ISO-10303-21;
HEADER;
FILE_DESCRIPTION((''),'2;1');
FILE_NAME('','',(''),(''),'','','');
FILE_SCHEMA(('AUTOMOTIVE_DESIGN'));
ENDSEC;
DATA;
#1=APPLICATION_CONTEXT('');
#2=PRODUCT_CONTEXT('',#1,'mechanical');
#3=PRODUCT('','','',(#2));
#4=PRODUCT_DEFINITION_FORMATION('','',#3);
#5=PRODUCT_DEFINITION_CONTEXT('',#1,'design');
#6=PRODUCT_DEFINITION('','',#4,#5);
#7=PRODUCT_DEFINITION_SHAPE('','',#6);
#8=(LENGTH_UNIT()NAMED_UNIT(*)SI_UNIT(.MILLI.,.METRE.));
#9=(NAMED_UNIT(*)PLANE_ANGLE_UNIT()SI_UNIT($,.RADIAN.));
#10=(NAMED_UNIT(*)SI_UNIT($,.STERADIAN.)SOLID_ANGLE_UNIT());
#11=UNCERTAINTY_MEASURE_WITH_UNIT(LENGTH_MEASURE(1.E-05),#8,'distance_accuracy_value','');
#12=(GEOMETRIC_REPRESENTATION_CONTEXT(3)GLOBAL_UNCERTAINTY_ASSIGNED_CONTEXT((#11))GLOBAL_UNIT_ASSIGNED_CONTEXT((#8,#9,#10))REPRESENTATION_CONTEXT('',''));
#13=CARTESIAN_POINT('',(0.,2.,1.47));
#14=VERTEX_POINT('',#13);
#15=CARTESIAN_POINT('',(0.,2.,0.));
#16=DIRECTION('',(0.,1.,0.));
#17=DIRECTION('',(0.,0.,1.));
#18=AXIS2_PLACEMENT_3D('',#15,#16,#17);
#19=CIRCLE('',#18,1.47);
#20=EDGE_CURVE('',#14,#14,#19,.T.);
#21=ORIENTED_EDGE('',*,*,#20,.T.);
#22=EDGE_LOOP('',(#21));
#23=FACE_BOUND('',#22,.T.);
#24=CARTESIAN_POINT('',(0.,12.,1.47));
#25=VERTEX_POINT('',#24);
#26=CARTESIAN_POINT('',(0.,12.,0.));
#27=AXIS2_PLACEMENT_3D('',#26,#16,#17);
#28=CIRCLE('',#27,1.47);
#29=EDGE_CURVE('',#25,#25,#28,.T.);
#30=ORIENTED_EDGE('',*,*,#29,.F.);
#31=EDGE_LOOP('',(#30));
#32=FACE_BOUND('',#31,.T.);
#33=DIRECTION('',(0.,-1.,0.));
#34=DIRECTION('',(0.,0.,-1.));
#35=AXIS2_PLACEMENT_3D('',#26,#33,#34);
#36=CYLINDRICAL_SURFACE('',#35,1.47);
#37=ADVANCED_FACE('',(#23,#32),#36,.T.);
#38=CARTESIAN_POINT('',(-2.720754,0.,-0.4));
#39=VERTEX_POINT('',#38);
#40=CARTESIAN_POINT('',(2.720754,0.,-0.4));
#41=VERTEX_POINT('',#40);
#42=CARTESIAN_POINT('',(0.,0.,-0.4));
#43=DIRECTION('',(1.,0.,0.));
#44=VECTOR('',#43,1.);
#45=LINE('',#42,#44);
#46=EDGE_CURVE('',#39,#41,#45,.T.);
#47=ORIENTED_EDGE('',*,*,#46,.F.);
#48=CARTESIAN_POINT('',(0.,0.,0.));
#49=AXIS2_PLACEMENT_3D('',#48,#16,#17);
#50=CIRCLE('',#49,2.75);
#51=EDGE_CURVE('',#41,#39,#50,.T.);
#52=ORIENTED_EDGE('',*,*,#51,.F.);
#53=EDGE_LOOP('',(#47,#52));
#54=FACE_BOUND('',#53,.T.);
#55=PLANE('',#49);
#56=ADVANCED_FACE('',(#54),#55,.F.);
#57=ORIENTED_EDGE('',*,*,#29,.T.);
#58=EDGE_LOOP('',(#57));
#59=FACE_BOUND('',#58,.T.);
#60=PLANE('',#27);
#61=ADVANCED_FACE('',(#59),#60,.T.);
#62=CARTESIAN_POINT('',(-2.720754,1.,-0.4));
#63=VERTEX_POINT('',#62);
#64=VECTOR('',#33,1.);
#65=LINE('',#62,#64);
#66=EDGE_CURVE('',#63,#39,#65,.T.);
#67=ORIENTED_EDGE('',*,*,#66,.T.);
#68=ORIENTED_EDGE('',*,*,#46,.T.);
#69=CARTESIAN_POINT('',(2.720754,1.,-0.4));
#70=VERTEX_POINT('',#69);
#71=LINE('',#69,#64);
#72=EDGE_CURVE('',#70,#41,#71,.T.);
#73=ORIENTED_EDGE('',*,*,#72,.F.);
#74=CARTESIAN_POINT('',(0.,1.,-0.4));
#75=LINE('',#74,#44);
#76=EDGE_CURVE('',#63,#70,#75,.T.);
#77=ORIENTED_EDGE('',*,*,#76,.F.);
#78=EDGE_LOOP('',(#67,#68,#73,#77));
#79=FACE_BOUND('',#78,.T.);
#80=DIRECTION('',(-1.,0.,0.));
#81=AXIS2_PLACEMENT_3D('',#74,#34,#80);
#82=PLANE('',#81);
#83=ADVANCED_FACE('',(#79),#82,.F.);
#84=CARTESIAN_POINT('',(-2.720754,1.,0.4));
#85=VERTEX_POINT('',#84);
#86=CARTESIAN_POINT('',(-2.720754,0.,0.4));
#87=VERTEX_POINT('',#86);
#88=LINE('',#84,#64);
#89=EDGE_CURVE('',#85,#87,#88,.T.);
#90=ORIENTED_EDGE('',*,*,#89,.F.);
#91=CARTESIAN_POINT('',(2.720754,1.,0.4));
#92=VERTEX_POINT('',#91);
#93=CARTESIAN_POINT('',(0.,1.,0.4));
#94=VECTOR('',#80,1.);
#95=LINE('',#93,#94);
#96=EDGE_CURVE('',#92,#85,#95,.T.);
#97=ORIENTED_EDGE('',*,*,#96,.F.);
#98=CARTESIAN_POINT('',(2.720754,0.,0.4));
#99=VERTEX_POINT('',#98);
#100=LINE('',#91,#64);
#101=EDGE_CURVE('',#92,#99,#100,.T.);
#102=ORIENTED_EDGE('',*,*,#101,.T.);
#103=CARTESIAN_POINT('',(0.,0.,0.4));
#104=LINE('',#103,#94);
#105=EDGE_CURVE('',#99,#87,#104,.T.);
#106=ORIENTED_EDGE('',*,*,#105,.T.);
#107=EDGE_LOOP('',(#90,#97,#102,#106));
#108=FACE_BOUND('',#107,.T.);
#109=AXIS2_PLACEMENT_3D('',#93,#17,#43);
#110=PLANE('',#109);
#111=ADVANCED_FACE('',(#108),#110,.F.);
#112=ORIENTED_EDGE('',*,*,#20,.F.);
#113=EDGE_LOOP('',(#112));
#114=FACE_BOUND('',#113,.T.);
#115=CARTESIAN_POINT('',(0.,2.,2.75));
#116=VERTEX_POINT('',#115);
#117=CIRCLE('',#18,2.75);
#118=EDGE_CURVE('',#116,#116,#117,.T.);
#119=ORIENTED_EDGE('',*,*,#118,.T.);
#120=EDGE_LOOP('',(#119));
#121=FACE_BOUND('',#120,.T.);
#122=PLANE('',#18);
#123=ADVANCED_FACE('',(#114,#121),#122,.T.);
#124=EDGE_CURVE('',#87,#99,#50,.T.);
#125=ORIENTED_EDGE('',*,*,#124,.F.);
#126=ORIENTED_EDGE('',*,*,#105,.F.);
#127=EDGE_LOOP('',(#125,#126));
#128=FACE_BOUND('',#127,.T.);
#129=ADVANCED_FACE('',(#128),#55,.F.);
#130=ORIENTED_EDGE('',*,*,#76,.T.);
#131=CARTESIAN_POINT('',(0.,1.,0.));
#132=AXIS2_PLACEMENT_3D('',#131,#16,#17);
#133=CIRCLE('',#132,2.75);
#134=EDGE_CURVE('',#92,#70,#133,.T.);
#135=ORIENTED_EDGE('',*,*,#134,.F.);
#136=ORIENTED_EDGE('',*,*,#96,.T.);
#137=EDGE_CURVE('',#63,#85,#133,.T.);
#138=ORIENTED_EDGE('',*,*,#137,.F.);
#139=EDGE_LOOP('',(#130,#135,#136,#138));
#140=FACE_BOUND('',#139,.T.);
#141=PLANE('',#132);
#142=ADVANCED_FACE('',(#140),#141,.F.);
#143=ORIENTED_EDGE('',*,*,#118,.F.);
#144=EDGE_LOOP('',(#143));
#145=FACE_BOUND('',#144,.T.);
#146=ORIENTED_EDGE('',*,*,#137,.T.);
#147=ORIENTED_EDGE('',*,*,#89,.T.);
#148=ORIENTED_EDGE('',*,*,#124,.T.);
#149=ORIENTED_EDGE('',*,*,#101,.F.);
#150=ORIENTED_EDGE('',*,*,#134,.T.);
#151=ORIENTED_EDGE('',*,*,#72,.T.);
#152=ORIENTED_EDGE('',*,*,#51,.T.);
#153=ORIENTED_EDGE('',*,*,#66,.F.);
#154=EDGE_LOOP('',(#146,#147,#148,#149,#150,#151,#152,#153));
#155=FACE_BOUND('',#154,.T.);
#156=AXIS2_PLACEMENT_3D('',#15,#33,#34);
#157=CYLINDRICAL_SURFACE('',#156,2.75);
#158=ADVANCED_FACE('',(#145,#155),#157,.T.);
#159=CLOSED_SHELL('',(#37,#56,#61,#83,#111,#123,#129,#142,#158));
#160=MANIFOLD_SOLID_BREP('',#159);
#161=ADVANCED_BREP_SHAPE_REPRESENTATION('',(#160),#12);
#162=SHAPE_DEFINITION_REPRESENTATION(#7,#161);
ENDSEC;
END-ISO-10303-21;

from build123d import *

# Parameters (mm, degrees)
BOSS_EXTRUDE1_DEPTH = 2
CUT_EXTRUDE1_DEPTH  = 1
BOSS_EXTRUDE2_START = 2
BOSS_EXTRUDE2_DEPTH = 10


with BuildPart() as part:
    # Sketch1 → Boss-Extrude1 (new body)
    with BuildSketch(Plane(origin=(0, 0, 0), x_dir=(1, 0, 0), z_dir=(0, 1, 0))):
        with BuildLine():
            ThreePointArc((-1.414531725, 0.4), (0, 1.47), (1.414531725, 0.4))
            Line((1.414531725, 0.4), (2.720753572, 0.4))
            ThreePointArc((2.720753572, 0.4), (0, 2.75), (-2.720753572, 0.4))
            Line((-2.720753572, 0.4), (-1.414531725, 0.4))
        make_face()
        with BuildLine():
            Line((-1.414531725, 0.4), (0, 0.4))
            Line((0, 0.4), (1.414531725, 0.4))
            ThreePointArc((1.414531725, 0.4), (0, 1.47), (-1.414531725, 0.4))
        make_face()
        with BuildLine():
            Line((1.414531725, 0.4), (0, 0.4))
            Line((0, 0.4), (-1.414531725, 0.4))
            ThreePointArc((-1.414531725, 0.4), (-1.47, 0), (-1.414531725, -0.4))
            Line((-1.414531725, -0.4), (1.414531725, -0.4))
            ThreePointArc((1.414531725, -0.4), (1.4560669, -0.201913799), (1.47, 0))
            ThreePointArc((1.47, 0), (1.4560669, 0.201913799), (1.414531725, 0.4))
        make_face()
        with BuildLine():
            Line((1.414531725, -0.4), (-1.414531725, -0.4))
            ThreePointArc((-1.414531725, -0.4), (0, -1.47), (1.414531725, -0.4))
        make_face()
        with BuildLine():
            ThreePointArc((1.414531725, -0.4), (0, -1.47), (-1.414531725, -0.4))
            Line((-1.414531725, -0.4), (-2.720753572, -0.4))
            ThreePointArc((-2.720753572, -0.4), (0, -2.75), (2.720753572, -0.4))
            Line((2.720753572, -0.4), (1.414531725, -0.4))
        make_face()
        with BuildLine():
            Line((2.720753572, 0.4), (1.414531725, 0.4))
            ThreePointArc((1.414531725, 0.4), (1.4560669, 0.201913799), (1.47, 0))
            ThreePointArc((1.47, 0), (1.4560669, -0.201913799), (1.414531725, -0.4))
            Line((1.414531725, -0.4), (2.720753572, -0.4))
            ThreePointArc((2.720753572, -0.4), (2.742678647, -0.200533883), (2.75, 0))
            ThreePointArc((2.75, 0), (2.742678647, 0.200533883), (2.720753572, 0.4))
        make_face()
        with BuildLine():
            ThreePointArc((-1.414531725, -0.4), (-1.47, 0), (-1.414531725, 0.4))
            Line((-1.414531725, 0.4), (-2.720753572, 0.4))
            ThreePointArc((-2.720753572, 0.4), (-2.75, 0), (-2.720753572, -0.4))
            Line((-2.720753572, -0.4), (-1.414531725, -0.4))
        make_face()
    extrude(amount=BOSS_EXTRUDE1_DEPTH)

    # Sketch1<3> → Cut-Extrude1 (cut)
    with BuildSketch(Plane(origin=(0, 0, 0), x_dir=(1, 0, 0), z_dir=(0, 1, 0))):
        with BuildLine():
            Line((2.720753572, 0.4), (1.414531725, 0.4))
            ThreePointArc((1.414531725, 0.4), (1.4560669, 0.201913799), (1.47, 0))
            ThreePointArc((1.47, 0), (1.4560669, -0.201913799), (1.414531725, -0.4))
            Line((1.414531725, -0.4), (2.720753572, -0.4))
            ThreePointArc((2.720753572, -0.4), (2.742678647, -0.200533883), (2.75, 0))
            ThreePointArc((2.75, 0), (2.742678647, 0.200533883), (2.720753572, 0.4))
        make_face()
        with BuildLine():
            ThreePointArc((-1.414531725, -0.4), (-1.47, 0), (-1.414531725, 0.4))
            Line((-1.414531725, 0.4), (-2.720753572, 0.4))
            ThreePointArc((-2.720753572, 0.4), (-2.75, 0), (-2.720753572, -0.4))
            Line((-2.720753572, -0.4), (-1.414531725, -0.4))
        make_face()
        with BuildLine():
            Line((1.414531725, 0.4), (0, 0.4))
            Line((0, 0.4), (-1.414531725, 0.4))
            ThreePointArc((-1.414531725, 0.4), (-1.47, 0), (-1.414531725, -0.4))
            Line((-1.414531725, -0.4), (1.414531725, -0.4))
            ThreePointArc((1.414531725, -0.4), (1.4560669, -0.201913799), (1.47, 0))
            ThreePointArc((1.47, 0), (1.4560669, 0.201913799), (1.414531725, 0.4))
        make_face()
    extrude(amount=CUT_EXTRUDE1_DEPTH, mode=Mode.SUBTRACT)

    # Sketch1<4> → Boss-Extrude2 (add)
    with BuildSketch(Plane(origin=(0, 0, 0), x_dir=(1, 0, 0), z_dir=(0, 1, 0)).offset(BOSS_EXTRUDE2_START)):
        with BuildLine():
            Line((-1.414531725, 0.4), (0, 0.4))
            Line((0, 0.4), (1.414531725, 0.4))
            ThreePointArc((1.414531725, 0.4), (0, 1.47), (-1.414531725, 0.4))
        make_face()
        with BuildLine():
            Line((1.414531725, 0.4), (0, 0.4))
            Line((0, 0.4), (-1.414531725, 0.4))
            ThreePointArc((-1.414531725, 0.4), (-1.47, 0), (-1.414531725, -0.4))
            Line((-1.414531725, -0.4), (1.414531725, -0.4))
            ThreePointArc((1.414531725, -0.4), (1.4560669, -0.201913799), (1.47, 0))
            ThreePointArc((1.47, 0), (1.4560669, 0.201913799), (1.414531725, 0.4))
        make_face()
        with BuildLine():
            Line((1.414531725, -0.4), (-1.414531725, -0.4))
            ThreePointArc((-1.414531725, -0.4), (0, -1.47), (1.414531725, -0.4))
        make_face()
    extrude(amount=BOSS_EXTRUDE2_DEPTH)


solid = part.part
